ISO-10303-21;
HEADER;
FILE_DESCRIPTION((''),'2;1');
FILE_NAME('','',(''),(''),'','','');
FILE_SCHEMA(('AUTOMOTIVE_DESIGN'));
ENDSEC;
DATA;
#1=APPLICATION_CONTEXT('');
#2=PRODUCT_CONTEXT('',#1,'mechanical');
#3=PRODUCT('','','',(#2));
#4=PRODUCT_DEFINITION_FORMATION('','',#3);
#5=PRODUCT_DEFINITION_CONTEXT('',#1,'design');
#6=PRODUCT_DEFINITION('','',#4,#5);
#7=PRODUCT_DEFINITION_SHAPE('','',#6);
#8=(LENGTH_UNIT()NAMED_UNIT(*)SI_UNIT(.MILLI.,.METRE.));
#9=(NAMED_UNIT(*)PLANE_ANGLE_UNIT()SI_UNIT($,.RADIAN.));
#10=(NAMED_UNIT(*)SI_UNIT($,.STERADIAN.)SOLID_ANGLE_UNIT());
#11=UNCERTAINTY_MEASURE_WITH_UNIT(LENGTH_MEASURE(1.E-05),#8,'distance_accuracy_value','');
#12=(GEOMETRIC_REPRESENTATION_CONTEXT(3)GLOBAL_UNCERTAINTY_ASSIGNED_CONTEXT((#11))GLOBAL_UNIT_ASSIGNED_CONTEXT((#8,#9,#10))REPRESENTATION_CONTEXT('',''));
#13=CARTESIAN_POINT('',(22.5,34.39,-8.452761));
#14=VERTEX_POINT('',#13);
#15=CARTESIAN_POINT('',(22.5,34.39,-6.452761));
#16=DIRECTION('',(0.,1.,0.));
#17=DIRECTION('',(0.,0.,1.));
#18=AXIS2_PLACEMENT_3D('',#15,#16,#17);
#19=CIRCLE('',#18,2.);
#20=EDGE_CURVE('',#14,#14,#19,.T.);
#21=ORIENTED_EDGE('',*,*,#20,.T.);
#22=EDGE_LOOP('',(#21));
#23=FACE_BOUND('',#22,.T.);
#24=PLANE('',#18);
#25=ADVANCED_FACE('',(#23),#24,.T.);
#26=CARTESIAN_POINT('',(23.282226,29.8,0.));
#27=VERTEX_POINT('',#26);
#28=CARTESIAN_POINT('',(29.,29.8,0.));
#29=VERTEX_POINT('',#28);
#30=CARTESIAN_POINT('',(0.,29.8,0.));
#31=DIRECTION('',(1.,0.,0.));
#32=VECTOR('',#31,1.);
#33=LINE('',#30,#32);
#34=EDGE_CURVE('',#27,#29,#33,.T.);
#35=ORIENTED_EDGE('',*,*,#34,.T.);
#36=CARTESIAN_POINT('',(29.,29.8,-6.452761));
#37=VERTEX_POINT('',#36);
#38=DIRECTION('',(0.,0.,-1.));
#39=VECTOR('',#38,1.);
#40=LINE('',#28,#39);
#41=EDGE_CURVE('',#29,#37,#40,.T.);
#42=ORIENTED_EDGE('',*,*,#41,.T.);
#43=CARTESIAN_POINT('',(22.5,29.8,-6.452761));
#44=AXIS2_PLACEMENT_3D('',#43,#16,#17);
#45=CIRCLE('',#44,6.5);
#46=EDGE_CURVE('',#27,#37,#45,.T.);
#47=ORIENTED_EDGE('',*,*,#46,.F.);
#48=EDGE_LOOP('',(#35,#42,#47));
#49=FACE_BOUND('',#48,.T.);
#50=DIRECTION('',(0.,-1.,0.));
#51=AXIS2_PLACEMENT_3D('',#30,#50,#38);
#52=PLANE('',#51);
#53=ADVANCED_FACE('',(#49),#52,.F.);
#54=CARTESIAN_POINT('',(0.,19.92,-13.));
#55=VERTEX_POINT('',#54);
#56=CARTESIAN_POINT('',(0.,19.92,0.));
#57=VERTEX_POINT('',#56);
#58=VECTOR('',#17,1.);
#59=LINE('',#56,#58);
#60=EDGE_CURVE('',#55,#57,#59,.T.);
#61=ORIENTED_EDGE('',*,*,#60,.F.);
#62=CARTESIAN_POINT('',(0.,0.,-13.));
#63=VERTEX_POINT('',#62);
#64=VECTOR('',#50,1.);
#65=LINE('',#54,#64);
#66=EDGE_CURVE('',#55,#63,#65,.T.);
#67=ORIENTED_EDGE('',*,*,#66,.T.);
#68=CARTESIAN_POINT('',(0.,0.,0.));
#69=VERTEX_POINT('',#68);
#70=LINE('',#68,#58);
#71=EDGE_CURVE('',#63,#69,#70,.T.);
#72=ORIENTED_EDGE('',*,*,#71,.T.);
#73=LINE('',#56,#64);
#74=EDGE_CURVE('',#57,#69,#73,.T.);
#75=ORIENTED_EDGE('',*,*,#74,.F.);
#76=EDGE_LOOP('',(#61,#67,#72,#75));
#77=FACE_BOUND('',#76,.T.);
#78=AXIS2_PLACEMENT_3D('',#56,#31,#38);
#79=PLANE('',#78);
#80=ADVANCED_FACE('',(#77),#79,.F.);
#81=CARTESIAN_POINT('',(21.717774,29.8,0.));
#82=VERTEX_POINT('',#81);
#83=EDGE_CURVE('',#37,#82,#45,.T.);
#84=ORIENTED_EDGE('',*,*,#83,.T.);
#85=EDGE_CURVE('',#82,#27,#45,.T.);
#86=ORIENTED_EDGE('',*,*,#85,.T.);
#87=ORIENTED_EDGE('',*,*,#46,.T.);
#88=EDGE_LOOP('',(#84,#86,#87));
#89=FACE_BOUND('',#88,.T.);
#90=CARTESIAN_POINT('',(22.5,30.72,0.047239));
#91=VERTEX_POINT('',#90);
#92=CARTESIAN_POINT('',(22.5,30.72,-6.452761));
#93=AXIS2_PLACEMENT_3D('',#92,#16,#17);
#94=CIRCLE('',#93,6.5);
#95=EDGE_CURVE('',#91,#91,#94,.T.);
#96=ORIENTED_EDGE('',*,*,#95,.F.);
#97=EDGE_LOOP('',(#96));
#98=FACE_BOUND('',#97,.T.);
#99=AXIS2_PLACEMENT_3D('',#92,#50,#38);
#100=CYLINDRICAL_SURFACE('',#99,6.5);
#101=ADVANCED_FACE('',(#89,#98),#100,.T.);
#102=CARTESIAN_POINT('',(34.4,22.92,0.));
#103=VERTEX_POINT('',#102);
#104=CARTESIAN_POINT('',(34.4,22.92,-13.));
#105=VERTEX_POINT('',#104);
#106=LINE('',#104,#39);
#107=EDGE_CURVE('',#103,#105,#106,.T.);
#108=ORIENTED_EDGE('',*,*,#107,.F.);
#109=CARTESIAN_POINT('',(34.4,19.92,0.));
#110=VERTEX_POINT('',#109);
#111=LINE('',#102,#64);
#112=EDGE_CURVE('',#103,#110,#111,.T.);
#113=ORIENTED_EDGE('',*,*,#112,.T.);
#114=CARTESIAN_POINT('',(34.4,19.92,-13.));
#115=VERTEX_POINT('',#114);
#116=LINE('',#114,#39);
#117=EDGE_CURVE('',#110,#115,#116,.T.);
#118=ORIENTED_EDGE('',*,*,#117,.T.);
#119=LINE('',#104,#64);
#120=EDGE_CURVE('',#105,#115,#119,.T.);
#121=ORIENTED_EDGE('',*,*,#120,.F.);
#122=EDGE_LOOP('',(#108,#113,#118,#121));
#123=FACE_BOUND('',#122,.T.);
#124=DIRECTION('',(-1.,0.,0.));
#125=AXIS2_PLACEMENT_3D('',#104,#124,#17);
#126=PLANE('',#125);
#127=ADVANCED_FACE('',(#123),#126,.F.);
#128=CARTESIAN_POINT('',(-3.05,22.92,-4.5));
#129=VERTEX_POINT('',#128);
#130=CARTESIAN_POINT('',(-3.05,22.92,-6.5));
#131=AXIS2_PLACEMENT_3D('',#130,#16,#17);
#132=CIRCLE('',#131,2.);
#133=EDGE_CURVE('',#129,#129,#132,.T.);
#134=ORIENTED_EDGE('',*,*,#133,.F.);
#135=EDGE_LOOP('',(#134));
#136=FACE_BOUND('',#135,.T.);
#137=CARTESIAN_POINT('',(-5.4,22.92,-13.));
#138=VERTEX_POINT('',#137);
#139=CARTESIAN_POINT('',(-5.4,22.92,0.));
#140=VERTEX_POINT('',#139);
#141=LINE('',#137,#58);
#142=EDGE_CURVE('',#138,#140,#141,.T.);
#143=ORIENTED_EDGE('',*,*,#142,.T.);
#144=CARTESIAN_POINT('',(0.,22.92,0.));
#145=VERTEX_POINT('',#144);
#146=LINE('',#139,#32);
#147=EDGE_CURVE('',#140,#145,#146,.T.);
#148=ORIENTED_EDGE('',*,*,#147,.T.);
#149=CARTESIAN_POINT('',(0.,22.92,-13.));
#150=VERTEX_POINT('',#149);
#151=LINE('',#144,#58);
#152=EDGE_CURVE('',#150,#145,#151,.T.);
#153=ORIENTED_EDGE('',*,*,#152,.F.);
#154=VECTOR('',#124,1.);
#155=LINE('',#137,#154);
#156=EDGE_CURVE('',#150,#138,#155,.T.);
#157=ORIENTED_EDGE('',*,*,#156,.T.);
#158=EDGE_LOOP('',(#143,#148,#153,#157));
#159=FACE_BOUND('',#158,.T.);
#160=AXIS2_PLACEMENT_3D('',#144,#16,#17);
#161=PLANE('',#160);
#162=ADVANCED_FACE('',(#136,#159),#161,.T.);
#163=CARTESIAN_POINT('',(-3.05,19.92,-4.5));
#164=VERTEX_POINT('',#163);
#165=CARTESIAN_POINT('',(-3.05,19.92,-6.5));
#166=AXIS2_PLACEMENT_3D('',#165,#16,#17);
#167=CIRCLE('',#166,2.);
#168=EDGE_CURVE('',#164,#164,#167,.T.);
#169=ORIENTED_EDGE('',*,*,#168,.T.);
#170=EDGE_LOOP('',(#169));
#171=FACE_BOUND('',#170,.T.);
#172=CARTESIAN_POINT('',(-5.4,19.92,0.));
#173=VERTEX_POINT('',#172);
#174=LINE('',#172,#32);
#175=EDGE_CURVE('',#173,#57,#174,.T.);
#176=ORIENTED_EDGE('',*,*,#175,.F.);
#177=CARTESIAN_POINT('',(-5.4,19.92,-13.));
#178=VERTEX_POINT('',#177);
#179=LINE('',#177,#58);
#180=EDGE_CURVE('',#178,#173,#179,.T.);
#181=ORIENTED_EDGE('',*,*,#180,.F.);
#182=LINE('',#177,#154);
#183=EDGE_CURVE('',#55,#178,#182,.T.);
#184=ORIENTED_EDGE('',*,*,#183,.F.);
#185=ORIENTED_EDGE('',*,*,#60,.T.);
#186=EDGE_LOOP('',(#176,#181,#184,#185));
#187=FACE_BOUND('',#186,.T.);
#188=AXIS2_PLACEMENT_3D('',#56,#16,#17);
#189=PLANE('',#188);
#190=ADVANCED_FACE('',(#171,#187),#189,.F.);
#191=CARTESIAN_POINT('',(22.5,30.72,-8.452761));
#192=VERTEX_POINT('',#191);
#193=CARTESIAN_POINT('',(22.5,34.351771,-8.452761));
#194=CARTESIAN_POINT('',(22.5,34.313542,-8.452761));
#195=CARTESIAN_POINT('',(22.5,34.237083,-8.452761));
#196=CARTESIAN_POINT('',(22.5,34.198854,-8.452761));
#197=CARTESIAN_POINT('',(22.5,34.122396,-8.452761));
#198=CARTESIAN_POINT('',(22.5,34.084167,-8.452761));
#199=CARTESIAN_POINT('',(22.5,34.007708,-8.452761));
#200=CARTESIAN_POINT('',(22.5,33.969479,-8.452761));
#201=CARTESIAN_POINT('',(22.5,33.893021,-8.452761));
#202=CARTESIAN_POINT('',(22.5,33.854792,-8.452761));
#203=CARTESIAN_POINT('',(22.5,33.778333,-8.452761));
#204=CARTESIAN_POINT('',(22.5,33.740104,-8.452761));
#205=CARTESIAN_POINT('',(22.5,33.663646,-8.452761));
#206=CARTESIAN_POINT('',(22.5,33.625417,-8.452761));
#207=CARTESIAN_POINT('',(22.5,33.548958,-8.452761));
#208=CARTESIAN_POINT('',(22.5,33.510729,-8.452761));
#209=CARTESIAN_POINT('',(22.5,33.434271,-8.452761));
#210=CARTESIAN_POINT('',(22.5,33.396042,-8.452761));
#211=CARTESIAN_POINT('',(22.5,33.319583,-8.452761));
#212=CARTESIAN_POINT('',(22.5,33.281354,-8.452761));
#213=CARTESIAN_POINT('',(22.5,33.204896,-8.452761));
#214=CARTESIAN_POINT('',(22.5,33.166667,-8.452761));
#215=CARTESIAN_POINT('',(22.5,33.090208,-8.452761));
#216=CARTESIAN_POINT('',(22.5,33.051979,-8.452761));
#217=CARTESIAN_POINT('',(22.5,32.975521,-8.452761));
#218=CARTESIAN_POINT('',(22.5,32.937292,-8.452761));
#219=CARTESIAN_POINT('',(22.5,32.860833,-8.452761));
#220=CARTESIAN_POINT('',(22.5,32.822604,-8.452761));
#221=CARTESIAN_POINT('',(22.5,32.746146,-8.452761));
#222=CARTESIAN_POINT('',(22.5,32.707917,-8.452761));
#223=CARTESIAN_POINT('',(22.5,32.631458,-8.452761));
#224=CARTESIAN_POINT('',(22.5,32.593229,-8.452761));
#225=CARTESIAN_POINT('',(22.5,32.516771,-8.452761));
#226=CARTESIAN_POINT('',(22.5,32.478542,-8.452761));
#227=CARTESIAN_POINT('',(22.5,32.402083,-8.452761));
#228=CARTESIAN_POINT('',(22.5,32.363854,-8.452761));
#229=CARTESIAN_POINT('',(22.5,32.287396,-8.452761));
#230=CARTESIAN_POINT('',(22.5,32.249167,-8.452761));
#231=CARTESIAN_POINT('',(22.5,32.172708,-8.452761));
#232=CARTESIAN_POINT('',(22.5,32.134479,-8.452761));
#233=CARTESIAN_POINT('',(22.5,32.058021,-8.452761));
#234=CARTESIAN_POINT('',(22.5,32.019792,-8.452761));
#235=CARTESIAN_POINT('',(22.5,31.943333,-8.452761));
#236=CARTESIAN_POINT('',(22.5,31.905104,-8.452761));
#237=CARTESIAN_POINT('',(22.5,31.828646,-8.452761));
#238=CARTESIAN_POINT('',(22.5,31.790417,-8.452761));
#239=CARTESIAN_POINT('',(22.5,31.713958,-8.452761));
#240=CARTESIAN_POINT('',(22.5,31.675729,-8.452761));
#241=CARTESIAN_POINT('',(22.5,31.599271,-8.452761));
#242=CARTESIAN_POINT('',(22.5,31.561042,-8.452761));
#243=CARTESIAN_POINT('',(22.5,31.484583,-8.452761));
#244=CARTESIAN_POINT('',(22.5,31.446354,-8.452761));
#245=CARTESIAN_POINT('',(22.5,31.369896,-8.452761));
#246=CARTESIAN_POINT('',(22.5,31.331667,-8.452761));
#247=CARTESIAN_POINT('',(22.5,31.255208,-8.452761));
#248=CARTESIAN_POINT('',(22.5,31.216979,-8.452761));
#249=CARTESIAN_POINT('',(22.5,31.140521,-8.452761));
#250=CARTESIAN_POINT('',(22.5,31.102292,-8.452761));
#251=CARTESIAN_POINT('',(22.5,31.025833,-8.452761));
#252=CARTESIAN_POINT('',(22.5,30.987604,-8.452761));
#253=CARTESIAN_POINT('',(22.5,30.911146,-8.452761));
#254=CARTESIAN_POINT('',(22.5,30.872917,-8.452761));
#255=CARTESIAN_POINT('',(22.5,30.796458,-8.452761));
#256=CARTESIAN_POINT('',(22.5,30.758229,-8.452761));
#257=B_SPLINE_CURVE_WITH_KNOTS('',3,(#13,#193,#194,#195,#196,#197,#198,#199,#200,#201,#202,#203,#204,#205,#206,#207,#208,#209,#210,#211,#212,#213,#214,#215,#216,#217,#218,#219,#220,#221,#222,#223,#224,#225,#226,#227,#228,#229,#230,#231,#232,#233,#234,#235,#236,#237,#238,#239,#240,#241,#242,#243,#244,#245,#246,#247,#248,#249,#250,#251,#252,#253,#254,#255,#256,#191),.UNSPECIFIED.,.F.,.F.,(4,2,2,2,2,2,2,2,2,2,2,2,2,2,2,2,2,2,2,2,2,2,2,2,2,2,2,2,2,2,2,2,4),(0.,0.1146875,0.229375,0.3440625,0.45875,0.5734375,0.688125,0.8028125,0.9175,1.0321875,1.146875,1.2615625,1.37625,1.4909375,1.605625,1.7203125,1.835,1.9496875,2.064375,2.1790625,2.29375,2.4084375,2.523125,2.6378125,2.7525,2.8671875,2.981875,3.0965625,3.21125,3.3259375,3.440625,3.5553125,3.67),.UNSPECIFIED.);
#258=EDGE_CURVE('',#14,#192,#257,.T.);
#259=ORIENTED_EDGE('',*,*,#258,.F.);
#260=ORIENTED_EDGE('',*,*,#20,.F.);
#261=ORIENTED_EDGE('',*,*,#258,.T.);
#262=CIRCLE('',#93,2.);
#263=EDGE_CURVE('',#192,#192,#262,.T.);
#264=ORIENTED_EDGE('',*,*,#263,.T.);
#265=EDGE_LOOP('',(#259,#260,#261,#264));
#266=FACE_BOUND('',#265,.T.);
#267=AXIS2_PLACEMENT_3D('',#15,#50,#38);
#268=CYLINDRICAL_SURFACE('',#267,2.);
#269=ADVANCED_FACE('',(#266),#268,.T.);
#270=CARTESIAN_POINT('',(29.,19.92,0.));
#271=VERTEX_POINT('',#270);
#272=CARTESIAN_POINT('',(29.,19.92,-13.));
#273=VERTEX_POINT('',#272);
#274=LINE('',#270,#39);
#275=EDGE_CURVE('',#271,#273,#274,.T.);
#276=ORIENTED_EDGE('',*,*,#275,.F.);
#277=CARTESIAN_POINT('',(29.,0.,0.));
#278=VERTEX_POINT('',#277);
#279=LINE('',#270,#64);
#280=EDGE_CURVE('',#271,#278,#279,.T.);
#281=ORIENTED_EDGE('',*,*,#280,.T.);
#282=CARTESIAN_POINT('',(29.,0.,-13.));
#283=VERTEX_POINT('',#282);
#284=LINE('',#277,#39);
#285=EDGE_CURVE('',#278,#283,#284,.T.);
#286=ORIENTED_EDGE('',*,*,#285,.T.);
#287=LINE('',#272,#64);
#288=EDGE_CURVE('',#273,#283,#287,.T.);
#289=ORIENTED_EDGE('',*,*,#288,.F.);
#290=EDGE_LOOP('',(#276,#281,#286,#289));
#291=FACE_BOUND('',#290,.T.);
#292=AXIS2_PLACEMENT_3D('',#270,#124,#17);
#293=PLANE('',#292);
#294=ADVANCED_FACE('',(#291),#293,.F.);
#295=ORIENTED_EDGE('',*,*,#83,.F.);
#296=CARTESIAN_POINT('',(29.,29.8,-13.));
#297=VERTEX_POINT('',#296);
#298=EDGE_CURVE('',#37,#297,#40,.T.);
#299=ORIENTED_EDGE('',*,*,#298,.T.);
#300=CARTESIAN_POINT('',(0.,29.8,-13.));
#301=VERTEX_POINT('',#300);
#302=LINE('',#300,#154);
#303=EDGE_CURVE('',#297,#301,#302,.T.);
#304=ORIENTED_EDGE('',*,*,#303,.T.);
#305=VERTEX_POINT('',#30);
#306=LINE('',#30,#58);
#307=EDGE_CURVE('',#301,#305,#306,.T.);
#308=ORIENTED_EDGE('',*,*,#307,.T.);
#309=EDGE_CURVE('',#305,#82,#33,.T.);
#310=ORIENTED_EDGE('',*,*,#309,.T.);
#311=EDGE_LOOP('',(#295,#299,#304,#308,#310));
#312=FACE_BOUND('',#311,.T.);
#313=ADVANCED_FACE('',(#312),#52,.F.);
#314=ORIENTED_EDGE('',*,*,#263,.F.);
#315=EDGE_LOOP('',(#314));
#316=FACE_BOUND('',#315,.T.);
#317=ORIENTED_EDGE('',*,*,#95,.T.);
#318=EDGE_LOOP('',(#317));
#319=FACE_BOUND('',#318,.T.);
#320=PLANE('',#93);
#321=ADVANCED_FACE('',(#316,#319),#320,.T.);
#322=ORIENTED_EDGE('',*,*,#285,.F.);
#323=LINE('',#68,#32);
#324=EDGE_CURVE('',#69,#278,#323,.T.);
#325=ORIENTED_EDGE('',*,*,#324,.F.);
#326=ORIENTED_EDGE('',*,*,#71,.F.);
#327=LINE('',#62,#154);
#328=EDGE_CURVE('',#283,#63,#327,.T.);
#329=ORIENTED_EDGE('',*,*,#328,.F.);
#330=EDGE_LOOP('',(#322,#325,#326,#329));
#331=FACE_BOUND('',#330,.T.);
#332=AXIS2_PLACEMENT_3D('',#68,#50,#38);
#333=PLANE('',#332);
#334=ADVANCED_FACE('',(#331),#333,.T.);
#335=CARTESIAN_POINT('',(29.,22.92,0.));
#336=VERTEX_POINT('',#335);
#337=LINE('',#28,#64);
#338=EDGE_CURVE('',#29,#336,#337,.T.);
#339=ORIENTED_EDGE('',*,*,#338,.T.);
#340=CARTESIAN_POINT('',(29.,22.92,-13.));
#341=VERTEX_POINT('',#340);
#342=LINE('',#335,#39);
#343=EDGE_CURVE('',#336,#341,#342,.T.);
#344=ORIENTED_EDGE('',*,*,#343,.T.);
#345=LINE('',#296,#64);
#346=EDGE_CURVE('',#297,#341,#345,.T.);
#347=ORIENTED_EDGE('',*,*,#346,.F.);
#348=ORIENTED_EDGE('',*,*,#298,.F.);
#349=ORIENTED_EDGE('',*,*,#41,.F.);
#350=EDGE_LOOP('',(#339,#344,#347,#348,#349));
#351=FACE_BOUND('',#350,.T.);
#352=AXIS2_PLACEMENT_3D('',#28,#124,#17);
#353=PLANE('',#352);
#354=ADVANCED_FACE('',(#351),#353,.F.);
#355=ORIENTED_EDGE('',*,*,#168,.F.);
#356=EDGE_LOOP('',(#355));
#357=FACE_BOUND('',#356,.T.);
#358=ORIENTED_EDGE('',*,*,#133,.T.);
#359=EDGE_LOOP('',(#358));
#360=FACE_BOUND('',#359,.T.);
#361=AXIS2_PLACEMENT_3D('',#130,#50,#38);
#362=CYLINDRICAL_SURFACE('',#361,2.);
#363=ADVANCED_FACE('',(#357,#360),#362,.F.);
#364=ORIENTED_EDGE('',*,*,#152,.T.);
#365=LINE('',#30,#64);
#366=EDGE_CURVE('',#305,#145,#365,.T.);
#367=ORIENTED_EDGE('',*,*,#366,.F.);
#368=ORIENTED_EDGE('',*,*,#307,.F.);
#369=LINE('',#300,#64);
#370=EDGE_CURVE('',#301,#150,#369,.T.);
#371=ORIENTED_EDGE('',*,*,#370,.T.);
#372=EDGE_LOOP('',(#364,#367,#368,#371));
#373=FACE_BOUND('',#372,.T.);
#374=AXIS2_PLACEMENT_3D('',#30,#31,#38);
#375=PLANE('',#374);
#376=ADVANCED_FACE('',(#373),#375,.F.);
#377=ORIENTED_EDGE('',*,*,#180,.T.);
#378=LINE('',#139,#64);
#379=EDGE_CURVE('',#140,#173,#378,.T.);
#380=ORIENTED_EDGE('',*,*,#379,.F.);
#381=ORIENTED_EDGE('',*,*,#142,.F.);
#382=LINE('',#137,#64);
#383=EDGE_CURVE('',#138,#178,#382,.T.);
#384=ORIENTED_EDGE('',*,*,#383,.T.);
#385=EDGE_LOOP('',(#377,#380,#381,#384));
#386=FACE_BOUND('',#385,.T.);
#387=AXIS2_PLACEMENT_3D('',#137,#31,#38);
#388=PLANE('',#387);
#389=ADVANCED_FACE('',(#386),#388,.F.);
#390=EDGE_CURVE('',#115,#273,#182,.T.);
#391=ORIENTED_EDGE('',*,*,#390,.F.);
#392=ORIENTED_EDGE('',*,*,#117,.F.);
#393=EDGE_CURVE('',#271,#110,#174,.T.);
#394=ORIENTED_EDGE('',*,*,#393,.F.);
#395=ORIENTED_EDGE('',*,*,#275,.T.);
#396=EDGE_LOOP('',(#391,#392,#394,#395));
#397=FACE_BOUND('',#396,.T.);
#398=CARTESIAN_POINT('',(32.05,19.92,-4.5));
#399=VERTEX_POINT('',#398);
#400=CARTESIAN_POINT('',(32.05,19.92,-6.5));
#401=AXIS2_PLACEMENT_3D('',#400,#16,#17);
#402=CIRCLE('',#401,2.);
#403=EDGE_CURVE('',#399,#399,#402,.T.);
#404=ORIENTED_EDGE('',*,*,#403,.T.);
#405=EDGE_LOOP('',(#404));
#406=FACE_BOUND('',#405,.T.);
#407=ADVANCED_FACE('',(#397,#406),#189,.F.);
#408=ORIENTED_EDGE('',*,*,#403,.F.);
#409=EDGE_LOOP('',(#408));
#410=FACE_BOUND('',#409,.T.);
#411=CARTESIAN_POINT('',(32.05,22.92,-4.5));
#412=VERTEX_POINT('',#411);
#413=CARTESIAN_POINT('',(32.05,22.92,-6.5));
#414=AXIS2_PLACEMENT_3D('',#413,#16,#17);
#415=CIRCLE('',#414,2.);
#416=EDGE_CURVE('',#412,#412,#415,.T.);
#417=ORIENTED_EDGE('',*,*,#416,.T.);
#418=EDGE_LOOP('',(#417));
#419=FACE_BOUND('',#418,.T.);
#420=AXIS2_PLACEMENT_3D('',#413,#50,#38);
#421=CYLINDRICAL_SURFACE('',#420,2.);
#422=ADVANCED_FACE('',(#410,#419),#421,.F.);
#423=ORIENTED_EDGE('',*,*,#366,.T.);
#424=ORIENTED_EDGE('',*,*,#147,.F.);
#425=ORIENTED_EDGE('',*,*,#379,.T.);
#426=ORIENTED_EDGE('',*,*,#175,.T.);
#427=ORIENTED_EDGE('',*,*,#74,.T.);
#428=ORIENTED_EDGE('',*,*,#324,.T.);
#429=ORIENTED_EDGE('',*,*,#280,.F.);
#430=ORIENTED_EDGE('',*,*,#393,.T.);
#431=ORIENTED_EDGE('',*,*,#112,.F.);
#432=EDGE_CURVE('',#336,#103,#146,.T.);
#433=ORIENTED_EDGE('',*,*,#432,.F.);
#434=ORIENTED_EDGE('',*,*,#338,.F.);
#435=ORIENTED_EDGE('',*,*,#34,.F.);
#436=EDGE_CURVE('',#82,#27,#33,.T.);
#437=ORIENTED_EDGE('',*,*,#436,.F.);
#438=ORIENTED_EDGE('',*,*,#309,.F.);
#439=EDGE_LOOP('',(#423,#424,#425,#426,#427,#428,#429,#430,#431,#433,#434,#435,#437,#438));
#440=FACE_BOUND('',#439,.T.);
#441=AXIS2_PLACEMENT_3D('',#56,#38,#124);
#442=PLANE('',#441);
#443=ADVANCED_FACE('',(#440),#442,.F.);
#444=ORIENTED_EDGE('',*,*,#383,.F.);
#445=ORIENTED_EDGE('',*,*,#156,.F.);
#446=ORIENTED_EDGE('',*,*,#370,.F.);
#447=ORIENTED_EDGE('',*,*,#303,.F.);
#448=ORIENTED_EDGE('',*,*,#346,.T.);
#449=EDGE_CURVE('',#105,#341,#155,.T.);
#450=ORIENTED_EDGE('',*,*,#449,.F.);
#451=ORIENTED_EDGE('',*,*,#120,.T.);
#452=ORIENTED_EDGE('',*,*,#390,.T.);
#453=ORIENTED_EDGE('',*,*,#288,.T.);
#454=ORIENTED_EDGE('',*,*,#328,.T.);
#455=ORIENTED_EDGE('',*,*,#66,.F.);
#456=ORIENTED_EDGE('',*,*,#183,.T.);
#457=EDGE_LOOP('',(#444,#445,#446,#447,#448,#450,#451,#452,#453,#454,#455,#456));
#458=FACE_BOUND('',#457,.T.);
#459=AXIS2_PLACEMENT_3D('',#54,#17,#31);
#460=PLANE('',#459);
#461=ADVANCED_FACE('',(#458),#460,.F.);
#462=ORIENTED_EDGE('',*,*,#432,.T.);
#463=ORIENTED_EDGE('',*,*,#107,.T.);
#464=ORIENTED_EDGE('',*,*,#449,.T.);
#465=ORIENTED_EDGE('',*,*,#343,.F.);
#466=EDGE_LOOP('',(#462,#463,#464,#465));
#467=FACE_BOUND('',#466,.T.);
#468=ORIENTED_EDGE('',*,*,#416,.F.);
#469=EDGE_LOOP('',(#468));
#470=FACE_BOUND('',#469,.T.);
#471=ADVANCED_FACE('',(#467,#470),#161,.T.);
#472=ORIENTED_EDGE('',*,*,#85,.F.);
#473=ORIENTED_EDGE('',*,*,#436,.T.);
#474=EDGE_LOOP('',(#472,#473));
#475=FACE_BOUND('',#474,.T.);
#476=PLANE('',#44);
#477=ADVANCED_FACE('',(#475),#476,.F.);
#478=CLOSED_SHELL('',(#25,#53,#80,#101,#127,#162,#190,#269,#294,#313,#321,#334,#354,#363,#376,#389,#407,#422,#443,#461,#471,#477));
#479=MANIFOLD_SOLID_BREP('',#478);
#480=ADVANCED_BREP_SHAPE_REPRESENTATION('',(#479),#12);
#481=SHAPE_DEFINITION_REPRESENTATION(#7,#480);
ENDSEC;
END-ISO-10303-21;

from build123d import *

# Parameters (mm, degrees)
SKETCH1_W           = 29
SKETCH1_H           = 13
BOSS_EXTRUDE1_DEPTH = 19.92
SKETCH2_W           = 39.8
SKETCH2_H           = 13
SKETCH2_R           = 2
BOSS_EXTRUDE2_DEPTH = 3
SKETCH3_W           = 29
SKETCH3_H           = 13
BOSS_EXTRUDE3_DEPTH = 6.88
SKETCH4_R           = 6.5
BOSS_EXTRUDE4_DEPTH = 0.92
SKETCH5_R           = 2
BOSS_EXTRUDE5_DEPTH = 3.67


with BuildPart() as part:
    # Sketch1 → Boss-Extrude1 (new body)
    with BuildSketch(Plane(origin=(0, 0, 0), x_dir=(1, 0, 0), z_dir=(0, 1, 0))):
        with Locations((14.5, 6.5)):
            Rectangle(SKETCH1_W, SKETCH1_H)
    extrude(amount=BOSS_EXTRUDE1_DEPTH)

    # Sketch2 → Boss-Extrude2 (add)
    with BuildSketch(Plane(origin=(0, 19.92, 0), x_dir=(1, 0, 0), z_dir=(0, 1, 0))):
        with Locations((14.5, 6.5)):
            Rectangle(SKETCH2_W, SKETCH2_H)
        with Locations(Location((-3.05, 6.5, 0), (0, 0, 270))):
            Circle(SKETCH2_R, mode=Mode.SUBTRACT)
        with Locations(Location((32.05, 6.5, 0), (0, 0, 270))):
            Circle(SKETCH2_R, mode=Mode.SUBTRACT)
    extrude(amount=BOSS_EXTRUDE2_DEPTH)

    # Sketch3 → Boss-Extrude3 (add)
    with BuildSketch(Plane(origin=(0, 22.92, 0), x_dir=(1, 0, 0), z_dir=(0, 1, 0))):
        with Locations((14.5, 6.5)):
            Rectangle(SKETCH3_W, SKETCH3_H)
    extrude(amount=BOSS_EXTRUDE3_DEPTH)

    # Sketch4 → Boss-Extrude4 (add)
    with BuildSketch(Plane(origin=(0, 29.8, 0), x_dir=(1, 0, 0), z_dir=(0, 1, 0))):
        with Locations((22.5, 6.452760886)):
            Circle(SKETCH4_R)
    extrude(amount=BOSS_EXTRUDE4_DEPTH)

    # Sketch5 → Boss-Extrude5 (add)
    with BuildSketch(Plane(origin=(0, 30.72, 0), x_dir=(1, 0, 0), z_dir=(0, 1, 0))):
        with Locations(Location((22.5, 6.452760886, 0), (0, 0, 90))):
            Circle(SKETCH5_R)
    extrude(amount=BOSS_EXTRUDE5_DEPTH)


solid = part.part
